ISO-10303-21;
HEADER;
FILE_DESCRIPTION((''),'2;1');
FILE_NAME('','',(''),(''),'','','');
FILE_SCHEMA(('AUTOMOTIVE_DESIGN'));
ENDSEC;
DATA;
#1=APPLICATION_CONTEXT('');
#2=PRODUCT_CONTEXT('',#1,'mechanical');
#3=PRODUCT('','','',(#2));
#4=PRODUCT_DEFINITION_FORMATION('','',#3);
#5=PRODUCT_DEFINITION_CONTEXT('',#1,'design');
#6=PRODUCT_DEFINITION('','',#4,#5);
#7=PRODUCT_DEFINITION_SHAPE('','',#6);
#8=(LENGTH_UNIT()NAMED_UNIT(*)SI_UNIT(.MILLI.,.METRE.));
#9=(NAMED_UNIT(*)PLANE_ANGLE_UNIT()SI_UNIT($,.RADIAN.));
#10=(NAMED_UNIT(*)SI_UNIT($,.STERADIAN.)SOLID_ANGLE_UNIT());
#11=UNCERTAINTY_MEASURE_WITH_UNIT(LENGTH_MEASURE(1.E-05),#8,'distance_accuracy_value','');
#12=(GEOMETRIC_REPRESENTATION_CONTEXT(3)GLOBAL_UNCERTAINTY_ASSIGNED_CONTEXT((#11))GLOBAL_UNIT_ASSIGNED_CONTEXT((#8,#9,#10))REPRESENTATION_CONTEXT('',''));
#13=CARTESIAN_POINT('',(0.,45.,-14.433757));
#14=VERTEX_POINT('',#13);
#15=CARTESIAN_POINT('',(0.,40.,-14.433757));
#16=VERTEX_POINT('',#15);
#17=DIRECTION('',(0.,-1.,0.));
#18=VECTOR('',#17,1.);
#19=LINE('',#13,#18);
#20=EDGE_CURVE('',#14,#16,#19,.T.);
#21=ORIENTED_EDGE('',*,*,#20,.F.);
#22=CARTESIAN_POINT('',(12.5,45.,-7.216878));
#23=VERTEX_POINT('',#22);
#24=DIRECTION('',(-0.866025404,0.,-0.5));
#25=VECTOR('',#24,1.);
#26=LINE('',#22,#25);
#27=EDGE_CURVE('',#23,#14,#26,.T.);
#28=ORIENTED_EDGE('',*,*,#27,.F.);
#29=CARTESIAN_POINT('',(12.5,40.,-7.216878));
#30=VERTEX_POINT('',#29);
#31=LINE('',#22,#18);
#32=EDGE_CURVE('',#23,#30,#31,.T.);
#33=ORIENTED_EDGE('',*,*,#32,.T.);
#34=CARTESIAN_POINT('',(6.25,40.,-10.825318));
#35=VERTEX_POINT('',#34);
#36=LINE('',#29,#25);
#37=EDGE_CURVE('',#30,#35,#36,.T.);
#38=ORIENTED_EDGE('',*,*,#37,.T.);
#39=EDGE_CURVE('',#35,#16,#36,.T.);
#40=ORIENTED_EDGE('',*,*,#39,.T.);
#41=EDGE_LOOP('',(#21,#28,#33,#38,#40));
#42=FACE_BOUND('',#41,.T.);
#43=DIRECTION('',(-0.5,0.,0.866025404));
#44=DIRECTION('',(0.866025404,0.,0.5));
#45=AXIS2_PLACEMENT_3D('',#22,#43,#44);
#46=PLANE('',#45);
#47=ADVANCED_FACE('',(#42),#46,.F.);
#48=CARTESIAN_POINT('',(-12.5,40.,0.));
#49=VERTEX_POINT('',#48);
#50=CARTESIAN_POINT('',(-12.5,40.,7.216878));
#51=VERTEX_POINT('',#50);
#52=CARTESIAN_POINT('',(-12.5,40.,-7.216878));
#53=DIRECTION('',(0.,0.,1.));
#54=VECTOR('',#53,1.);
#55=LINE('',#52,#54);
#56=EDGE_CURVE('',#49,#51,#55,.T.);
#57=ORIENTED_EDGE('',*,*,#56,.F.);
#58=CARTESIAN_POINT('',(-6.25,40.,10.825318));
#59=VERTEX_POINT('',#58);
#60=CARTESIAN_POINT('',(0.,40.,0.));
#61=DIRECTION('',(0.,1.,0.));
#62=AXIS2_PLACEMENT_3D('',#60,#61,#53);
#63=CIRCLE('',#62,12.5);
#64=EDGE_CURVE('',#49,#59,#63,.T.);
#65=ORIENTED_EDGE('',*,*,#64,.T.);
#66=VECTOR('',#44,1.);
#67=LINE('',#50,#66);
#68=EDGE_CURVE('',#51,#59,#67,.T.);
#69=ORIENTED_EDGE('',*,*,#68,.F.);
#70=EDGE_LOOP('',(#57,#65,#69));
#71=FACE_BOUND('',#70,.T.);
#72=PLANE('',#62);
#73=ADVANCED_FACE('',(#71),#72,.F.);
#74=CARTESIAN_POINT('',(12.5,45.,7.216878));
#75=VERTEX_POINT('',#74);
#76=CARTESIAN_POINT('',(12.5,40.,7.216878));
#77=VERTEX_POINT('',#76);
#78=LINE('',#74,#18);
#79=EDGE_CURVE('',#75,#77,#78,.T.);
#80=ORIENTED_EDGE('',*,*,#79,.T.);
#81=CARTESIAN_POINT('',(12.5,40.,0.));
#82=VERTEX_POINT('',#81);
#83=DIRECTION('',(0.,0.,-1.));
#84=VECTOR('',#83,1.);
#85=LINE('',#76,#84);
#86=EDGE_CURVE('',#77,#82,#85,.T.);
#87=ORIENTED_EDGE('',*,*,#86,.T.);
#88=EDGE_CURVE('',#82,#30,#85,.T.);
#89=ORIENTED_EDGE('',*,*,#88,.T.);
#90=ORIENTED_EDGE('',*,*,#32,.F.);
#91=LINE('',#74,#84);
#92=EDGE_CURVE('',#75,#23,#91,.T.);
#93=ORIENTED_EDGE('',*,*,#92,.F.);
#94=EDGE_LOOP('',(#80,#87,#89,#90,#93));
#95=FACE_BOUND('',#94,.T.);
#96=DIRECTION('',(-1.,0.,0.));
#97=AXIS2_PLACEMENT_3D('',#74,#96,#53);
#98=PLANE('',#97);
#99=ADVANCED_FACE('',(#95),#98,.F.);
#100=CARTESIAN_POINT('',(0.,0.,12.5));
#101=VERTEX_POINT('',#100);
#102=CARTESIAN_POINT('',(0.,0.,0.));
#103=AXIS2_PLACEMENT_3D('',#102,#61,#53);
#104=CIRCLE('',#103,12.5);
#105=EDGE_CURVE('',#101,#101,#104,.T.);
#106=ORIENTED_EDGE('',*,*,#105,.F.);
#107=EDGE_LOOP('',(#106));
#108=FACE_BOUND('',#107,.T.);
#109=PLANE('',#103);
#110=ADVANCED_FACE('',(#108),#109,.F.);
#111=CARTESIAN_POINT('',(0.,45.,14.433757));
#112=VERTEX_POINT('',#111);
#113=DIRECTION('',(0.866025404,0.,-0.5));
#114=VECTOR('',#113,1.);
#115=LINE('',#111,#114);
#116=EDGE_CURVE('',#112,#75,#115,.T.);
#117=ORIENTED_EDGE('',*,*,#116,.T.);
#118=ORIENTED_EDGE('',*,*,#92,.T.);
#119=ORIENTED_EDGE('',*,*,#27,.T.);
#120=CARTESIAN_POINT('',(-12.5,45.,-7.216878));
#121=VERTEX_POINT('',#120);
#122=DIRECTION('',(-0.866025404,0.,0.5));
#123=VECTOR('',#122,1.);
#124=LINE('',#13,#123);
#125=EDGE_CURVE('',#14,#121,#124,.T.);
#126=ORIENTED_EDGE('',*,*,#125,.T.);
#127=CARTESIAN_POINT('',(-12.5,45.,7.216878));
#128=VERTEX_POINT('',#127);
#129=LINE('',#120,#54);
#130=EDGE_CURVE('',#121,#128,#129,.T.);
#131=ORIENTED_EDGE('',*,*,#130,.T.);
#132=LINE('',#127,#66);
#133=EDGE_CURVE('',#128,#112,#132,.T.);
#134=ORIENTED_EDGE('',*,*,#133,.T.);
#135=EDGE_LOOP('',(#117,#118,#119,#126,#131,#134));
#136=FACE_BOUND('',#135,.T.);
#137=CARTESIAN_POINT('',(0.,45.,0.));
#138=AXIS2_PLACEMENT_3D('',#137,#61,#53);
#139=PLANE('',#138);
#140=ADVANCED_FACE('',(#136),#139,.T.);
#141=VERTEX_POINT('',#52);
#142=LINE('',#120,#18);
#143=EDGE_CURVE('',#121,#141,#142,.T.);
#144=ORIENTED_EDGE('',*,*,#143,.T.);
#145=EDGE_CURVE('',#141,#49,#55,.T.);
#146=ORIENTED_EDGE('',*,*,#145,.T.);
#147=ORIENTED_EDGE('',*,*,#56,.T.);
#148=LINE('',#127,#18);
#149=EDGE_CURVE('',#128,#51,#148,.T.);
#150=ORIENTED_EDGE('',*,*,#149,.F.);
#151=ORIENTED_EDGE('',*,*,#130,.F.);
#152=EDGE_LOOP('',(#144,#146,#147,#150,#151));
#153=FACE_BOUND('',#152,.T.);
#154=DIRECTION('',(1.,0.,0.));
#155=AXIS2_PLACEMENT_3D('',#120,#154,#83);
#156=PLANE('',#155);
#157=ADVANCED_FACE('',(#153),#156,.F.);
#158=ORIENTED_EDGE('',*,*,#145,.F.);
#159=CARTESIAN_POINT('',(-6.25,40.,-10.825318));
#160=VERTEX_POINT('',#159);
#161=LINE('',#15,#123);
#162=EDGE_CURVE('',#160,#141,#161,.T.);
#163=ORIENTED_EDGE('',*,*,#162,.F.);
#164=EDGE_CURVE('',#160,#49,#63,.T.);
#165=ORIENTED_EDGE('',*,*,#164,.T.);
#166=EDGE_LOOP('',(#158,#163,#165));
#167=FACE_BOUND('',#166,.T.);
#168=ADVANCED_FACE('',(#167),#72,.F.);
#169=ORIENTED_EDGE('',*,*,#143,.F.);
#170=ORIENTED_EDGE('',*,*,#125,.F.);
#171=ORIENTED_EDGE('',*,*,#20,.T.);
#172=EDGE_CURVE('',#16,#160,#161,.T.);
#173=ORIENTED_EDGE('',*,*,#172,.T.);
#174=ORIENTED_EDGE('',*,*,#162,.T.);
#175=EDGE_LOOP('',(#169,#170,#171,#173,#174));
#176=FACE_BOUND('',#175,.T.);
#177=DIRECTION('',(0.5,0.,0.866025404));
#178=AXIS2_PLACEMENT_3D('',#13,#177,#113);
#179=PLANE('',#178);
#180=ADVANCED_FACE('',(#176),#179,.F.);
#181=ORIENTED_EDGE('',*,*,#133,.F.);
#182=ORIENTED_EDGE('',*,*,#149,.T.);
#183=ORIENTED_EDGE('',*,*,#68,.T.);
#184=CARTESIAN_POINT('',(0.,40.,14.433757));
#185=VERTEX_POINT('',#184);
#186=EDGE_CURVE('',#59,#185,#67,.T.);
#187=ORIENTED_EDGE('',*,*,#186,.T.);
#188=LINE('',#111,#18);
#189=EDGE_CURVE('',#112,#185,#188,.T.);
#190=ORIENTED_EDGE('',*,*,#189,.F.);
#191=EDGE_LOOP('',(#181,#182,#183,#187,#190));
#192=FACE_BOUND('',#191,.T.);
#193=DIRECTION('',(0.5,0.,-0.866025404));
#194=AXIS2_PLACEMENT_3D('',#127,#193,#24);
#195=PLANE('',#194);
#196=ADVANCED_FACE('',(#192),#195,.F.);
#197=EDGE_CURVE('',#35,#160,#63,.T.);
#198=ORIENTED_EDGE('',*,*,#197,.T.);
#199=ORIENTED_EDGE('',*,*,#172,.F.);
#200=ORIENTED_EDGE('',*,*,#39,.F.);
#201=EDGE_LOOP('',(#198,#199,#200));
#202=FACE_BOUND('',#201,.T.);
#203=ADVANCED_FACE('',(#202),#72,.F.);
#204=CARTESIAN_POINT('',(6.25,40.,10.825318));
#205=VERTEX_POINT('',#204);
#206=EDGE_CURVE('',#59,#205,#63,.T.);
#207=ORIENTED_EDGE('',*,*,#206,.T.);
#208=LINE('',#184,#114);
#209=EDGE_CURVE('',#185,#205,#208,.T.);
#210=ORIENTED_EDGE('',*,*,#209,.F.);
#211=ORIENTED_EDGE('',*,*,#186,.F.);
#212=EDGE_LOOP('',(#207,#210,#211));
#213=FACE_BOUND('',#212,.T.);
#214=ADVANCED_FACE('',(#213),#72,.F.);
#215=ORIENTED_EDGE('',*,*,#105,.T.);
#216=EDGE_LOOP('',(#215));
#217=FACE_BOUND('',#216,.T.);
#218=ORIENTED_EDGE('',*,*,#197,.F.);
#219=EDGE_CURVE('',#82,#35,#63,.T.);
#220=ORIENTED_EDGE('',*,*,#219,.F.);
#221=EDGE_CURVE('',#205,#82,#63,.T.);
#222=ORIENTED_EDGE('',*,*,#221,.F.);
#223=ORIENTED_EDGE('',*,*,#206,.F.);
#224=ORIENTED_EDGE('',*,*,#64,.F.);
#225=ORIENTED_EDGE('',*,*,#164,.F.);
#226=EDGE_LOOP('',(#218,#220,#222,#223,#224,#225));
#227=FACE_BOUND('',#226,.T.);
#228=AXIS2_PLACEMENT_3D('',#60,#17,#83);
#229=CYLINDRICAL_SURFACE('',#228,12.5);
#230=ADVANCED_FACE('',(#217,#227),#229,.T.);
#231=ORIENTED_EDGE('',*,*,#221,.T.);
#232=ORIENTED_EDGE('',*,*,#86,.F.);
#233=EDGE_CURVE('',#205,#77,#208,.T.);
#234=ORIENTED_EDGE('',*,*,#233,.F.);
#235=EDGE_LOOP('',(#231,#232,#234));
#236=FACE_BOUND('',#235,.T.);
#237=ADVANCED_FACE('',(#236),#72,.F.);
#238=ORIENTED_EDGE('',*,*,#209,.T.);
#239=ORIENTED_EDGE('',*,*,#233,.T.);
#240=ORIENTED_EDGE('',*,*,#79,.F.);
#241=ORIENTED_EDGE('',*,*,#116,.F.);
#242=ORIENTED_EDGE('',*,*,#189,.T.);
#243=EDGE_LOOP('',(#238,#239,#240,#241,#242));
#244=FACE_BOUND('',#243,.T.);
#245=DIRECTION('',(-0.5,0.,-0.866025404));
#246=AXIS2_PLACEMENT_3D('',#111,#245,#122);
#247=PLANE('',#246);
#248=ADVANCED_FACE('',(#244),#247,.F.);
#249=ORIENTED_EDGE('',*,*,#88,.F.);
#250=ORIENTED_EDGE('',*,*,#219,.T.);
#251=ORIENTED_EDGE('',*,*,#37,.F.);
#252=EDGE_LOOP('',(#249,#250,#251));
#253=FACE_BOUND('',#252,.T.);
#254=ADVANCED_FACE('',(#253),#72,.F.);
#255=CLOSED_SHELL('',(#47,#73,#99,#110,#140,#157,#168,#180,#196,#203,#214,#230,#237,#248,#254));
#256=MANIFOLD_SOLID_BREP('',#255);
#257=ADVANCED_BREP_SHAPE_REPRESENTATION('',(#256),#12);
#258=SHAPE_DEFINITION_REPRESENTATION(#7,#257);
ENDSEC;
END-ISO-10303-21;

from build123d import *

# Parameters (mm, degrees)
SKETCH1_R           = 12.5
BOSS_EXTRUDE1_DEPTH = 40
BOSS_EXTRUDE2_DEPTH = 5


with BuildPart() as part:
    # Sketch1 → Boss-Extrude1 (new body)
    with BuildSketch(Plane(origin=(0, 0, 0), x_dir=(1, 0, 0), z_dir=(0, 1, 0))):
        Circle(SKETCH1_R)
    extrude(amount=BOSS_EXTRUDE1_DEPTH)

    # Sketch2 → Boss-Extrude2 (add)
    with BuildSketch(Plane(origin=(0, 40, 0), x_dir=(1, 0, 0), z_dir=(0, 1, 0))):
        Polygon((0, -14.43375673), (12.5, -7.216878365), (12.5, 7.216878365), (0, 14.43375673), (-12.5, 7.216878365), (-12.5, -7.216878365), align=None)
    extrude(amount=BOSS_EXTRUDE2_DEPTH)


solid = part.part
